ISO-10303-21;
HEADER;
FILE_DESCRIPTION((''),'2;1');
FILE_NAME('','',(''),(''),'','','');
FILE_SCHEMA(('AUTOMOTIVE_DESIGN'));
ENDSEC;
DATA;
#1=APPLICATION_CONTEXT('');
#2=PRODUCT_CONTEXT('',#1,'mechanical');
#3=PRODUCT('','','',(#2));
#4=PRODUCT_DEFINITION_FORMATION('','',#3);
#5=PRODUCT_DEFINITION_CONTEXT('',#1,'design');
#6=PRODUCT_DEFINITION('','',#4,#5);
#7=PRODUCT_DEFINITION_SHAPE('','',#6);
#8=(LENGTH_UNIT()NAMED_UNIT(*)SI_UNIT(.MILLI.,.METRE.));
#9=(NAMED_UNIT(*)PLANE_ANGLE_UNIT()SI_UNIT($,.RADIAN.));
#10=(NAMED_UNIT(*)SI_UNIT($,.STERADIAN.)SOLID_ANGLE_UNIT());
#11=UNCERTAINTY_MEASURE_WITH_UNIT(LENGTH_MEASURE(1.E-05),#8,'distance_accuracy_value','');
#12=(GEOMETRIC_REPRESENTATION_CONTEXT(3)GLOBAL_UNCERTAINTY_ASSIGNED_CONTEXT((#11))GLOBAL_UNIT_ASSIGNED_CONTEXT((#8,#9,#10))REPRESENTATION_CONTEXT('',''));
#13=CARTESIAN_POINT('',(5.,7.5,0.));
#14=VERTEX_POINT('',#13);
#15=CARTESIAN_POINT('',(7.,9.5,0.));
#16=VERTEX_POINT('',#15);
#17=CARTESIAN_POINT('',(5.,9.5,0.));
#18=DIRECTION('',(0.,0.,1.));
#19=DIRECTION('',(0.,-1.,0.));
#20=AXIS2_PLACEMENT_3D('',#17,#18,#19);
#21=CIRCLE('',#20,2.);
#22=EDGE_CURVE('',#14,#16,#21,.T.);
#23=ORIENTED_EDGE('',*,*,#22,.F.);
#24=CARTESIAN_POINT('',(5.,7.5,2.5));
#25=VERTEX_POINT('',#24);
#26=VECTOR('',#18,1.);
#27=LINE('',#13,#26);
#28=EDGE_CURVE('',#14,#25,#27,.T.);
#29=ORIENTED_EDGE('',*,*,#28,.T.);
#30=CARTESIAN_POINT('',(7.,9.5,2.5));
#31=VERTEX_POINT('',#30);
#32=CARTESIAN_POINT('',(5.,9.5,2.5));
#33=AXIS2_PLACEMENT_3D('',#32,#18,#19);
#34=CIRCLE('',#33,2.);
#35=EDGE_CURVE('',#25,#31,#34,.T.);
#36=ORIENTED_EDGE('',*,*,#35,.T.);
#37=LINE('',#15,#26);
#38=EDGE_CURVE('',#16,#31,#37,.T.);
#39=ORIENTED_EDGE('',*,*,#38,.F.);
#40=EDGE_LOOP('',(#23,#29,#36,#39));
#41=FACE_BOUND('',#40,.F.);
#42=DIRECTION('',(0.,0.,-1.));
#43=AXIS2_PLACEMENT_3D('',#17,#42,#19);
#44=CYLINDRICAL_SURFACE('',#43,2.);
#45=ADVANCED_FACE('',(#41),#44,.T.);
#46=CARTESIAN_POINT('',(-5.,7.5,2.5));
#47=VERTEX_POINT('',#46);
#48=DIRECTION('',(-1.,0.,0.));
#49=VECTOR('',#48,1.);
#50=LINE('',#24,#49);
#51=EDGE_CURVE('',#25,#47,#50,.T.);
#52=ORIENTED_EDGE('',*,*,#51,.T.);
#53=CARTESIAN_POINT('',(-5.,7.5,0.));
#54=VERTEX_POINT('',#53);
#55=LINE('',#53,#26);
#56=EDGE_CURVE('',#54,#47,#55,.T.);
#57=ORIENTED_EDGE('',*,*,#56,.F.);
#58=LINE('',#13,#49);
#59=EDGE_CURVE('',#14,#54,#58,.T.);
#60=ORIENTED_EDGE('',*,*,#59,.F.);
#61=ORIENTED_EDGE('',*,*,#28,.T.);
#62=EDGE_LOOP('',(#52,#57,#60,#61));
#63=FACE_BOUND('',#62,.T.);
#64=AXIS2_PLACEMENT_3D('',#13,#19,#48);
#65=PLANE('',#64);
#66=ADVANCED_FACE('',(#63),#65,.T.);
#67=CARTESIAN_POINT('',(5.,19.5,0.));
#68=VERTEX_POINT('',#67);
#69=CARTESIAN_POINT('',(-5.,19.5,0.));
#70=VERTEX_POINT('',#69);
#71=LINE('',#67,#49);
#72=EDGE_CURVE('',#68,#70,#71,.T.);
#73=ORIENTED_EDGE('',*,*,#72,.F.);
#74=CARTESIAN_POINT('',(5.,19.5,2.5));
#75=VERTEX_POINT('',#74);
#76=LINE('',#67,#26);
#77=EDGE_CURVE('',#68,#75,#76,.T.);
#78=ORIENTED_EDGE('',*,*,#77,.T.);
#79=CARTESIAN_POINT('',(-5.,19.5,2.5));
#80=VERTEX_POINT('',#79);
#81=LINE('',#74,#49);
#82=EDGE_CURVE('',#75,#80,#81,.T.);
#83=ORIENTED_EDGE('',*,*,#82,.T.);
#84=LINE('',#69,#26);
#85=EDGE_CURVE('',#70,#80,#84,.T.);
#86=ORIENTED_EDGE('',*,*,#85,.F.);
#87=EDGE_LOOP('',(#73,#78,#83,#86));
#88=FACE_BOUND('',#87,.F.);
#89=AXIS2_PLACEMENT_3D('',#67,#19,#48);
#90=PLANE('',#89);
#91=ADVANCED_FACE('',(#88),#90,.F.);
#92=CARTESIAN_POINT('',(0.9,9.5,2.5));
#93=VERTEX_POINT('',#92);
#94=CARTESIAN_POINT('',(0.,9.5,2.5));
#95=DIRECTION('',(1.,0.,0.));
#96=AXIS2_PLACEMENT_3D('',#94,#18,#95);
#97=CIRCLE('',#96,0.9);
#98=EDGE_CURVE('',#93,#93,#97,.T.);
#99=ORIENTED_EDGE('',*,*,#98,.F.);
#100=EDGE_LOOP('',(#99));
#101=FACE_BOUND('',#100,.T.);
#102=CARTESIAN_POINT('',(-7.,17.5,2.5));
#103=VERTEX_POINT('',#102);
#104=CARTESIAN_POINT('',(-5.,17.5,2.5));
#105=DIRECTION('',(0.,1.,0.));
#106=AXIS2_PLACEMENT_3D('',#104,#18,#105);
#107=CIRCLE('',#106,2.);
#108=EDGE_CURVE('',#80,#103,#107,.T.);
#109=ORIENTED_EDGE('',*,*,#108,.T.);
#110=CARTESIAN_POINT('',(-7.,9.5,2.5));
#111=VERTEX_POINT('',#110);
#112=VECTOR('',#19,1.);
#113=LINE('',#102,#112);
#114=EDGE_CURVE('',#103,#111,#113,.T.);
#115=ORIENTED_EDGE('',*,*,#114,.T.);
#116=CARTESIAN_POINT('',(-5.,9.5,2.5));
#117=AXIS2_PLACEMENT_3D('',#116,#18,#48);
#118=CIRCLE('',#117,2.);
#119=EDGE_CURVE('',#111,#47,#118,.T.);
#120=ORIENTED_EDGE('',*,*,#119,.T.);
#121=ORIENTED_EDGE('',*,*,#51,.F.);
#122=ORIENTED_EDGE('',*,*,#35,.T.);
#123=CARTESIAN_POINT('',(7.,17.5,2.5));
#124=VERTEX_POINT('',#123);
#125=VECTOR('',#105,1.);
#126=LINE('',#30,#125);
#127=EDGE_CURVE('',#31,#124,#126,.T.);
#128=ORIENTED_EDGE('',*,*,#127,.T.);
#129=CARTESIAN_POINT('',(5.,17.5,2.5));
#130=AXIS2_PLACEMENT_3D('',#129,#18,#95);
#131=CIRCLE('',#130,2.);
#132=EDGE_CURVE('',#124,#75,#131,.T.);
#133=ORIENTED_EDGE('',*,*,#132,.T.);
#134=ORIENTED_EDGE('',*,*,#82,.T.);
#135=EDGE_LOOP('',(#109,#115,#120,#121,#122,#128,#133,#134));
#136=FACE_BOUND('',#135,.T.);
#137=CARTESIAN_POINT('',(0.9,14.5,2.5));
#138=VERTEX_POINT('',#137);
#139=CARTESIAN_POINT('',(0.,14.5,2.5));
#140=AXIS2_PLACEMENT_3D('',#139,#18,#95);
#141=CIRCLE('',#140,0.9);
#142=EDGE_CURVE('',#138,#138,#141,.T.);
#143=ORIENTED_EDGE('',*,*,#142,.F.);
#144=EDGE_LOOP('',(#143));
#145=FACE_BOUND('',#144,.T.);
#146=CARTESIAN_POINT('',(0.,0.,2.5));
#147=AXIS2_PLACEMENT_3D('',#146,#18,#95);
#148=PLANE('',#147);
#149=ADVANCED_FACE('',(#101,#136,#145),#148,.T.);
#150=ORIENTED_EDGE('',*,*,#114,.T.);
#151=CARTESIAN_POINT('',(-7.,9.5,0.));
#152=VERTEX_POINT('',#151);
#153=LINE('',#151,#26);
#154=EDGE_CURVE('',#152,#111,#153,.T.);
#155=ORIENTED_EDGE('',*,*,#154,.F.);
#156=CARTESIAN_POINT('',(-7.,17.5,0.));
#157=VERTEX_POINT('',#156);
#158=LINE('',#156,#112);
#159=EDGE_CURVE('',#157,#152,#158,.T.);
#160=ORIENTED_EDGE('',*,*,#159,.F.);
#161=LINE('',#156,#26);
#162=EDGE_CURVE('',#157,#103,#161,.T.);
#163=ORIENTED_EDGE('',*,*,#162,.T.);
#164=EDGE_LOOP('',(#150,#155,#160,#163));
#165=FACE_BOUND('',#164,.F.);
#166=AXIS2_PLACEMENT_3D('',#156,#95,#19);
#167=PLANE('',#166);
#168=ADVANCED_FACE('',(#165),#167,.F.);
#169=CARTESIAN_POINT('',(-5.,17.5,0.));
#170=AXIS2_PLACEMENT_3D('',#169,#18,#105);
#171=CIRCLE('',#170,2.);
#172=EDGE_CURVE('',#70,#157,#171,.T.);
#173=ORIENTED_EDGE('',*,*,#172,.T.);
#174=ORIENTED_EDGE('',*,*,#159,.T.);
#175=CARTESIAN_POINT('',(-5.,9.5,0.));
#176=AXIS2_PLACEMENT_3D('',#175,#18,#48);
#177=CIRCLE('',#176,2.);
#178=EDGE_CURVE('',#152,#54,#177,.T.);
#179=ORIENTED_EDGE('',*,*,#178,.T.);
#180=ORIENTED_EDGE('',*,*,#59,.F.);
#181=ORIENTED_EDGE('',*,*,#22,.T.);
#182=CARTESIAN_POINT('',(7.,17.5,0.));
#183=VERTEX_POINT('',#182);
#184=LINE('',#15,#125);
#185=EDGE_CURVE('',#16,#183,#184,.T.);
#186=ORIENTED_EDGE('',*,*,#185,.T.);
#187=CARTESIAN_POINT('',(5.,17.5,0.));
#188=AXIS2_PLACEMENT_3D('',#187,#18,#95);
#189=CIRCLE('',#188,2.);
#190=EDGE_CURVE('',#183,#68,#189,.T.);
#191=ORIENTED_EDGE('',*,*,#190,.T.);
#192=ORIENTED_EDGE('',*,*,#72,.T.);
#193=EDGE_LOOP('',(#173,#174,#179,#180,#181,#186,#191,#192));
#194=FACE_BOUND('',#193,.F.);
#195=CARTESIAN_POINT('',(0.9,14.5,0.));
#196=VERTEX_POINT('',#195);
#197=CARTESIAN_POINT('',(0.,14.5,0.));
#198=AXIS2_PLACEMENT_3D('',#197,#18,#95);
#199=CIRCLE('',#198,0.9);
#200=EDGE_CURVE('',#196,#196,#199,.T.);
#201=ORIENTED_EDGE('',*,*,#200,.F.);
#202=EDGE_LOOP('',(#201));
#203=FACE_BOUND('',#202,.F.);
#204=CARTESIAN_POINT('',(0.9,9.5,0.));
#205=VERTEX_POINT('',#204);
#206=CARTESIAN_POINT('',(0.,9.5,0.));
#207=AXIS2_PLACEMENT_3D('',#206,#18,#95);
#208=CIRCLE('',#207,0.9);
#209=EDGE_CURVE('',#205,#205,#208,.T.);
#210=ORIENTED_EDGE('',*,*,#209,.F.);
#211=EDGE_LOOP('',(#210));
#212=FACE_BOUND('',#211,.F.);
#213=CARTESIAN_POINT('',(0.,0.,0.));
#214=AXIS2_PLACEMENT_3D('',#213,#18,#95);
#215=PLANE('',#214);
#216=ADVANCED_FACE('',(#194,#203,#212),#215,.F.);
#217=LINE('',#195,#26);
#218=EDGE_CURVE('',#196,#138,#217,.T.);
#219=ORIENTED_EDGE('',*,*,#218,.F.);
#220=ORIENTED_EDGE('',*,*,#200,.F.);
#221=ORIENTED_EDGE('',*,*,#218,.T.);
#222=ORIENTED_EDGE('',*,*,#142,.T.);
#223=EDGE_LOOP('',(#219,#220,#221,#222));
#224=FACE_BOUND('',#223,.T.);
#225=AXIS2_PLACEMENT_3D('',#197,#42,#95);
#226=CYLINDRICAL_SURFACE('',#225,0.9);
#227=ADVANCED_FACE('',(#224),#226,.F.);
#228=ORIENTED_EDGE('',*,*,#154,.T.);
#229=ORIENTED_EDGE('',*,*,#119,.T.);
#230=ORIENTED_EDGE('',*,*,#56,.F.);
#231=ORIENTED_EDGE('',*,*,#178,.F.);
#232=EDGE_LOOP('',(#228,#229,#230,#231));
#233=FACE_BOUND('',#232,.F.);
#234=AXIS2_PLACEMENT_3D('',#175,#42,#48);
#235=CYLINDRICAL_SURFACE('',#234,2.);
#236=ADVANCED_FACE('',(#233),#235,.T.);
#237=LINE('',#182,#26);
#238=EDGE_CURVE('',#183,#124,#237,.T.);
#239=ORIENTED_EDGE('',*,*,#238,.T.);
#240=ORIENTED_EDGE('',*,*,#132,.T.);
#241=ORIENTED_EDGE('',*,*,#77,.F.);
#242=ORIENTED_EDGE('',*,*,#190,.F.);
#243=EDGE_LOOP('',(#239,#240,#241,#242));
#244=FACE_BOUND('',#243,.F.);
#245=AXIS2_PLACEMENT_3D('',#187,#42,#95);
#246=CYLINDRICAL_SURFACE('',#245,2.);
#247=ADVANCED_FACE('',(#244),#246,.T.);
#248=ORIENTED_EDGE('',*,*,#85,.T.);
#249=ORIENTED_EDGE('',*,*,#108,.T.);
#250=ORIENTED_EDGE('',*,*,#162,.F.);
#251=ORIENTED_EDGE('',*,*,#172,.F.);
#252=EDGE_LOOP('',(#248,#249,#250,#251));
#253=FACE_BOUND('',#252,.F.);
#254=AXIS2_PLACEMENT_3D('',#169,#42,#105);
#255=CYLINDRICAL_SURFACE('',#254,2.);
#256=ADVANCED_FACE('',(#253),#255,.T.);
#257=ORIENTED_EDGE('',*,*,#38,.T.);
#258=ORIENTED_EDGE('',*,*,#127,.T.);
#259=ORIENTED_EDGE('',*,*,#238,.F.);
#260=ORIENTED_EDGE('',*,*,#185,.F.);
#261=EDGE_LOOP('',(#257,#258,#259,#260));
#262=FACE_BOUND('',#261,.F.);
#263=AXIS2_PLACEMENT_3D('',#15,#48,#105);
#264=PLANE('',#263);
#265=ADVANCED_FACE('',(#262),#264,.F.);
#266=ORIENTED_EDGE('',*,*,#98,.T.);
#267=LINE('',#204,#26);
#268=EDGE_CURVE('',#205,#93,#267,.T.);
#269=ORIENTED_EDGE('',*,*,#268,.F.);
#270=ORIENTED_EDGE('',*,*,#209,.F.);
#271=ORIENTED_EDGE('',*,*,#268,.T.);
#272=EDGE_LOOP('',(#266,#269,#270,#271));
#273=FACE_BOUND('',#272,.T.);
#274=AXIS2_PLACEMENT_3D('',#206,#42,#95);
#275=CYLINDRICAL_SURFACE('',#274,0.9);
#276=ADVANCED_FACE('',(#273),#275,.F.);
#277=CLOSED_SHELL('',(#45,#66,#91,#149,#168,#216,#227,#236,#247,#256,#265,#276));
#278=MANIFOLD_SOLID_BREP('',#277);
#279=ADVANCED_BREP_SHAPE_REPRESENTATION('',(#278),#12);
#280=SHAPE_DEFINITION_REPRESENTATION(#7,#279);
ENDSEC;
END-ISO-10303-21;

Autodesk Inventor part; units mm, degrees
ref_plane "YZ Plane" through (0, 0, 0) normal (1, 0, 0) x (0, 1, 0)
ref_plane "XZ Plane" through (0, 0, 0) normal (0, 1, 0) x (-1, 0, 0)
ref_plane "XY Plane" through (0, 0, 0) normal (0, 0, 1) x (1, 0, 0)
sketch "Sketch1" plane through (0, 0, 0) normal (0, 0, 1) x (1, 0, 0)
  arc A0 (7, 17.5) -> (5, 19.5) centre (5, 17.5) ccw
  line L0 (5, 19.5) -> (-5, 19.5)
  arc A1 (-5, 19.5) -> (-7, 17.5) centre (-5, 17.5) ccw
  line L1 (-7, 17.5) -> (-7, 9.5)
  line L2 (7, 9.5) -> (7, 17.5)
  circle A2 centre (0, 14.5) radius 0.9
  circle A3 centre (0, 9.5) radius 0.9
  line L3 (7, 17.5) -> (7, 9.5)
  line L4 (5, 7.5) -> (-5, 7.5)
  arc A4 (5, 7.5) -> (7, 9.5) centre (5, 9.5) ccw
  arc A5 (-7, 9.5) -> (-5, 7.5) centre (-5, 9.5) ccw
  point P0 (0, 0)
  point P1 (0, 0)
extrude "Extrusion1" add sketch "Sketch1" along normal blind 2.5
properties part number "hold gt2"
